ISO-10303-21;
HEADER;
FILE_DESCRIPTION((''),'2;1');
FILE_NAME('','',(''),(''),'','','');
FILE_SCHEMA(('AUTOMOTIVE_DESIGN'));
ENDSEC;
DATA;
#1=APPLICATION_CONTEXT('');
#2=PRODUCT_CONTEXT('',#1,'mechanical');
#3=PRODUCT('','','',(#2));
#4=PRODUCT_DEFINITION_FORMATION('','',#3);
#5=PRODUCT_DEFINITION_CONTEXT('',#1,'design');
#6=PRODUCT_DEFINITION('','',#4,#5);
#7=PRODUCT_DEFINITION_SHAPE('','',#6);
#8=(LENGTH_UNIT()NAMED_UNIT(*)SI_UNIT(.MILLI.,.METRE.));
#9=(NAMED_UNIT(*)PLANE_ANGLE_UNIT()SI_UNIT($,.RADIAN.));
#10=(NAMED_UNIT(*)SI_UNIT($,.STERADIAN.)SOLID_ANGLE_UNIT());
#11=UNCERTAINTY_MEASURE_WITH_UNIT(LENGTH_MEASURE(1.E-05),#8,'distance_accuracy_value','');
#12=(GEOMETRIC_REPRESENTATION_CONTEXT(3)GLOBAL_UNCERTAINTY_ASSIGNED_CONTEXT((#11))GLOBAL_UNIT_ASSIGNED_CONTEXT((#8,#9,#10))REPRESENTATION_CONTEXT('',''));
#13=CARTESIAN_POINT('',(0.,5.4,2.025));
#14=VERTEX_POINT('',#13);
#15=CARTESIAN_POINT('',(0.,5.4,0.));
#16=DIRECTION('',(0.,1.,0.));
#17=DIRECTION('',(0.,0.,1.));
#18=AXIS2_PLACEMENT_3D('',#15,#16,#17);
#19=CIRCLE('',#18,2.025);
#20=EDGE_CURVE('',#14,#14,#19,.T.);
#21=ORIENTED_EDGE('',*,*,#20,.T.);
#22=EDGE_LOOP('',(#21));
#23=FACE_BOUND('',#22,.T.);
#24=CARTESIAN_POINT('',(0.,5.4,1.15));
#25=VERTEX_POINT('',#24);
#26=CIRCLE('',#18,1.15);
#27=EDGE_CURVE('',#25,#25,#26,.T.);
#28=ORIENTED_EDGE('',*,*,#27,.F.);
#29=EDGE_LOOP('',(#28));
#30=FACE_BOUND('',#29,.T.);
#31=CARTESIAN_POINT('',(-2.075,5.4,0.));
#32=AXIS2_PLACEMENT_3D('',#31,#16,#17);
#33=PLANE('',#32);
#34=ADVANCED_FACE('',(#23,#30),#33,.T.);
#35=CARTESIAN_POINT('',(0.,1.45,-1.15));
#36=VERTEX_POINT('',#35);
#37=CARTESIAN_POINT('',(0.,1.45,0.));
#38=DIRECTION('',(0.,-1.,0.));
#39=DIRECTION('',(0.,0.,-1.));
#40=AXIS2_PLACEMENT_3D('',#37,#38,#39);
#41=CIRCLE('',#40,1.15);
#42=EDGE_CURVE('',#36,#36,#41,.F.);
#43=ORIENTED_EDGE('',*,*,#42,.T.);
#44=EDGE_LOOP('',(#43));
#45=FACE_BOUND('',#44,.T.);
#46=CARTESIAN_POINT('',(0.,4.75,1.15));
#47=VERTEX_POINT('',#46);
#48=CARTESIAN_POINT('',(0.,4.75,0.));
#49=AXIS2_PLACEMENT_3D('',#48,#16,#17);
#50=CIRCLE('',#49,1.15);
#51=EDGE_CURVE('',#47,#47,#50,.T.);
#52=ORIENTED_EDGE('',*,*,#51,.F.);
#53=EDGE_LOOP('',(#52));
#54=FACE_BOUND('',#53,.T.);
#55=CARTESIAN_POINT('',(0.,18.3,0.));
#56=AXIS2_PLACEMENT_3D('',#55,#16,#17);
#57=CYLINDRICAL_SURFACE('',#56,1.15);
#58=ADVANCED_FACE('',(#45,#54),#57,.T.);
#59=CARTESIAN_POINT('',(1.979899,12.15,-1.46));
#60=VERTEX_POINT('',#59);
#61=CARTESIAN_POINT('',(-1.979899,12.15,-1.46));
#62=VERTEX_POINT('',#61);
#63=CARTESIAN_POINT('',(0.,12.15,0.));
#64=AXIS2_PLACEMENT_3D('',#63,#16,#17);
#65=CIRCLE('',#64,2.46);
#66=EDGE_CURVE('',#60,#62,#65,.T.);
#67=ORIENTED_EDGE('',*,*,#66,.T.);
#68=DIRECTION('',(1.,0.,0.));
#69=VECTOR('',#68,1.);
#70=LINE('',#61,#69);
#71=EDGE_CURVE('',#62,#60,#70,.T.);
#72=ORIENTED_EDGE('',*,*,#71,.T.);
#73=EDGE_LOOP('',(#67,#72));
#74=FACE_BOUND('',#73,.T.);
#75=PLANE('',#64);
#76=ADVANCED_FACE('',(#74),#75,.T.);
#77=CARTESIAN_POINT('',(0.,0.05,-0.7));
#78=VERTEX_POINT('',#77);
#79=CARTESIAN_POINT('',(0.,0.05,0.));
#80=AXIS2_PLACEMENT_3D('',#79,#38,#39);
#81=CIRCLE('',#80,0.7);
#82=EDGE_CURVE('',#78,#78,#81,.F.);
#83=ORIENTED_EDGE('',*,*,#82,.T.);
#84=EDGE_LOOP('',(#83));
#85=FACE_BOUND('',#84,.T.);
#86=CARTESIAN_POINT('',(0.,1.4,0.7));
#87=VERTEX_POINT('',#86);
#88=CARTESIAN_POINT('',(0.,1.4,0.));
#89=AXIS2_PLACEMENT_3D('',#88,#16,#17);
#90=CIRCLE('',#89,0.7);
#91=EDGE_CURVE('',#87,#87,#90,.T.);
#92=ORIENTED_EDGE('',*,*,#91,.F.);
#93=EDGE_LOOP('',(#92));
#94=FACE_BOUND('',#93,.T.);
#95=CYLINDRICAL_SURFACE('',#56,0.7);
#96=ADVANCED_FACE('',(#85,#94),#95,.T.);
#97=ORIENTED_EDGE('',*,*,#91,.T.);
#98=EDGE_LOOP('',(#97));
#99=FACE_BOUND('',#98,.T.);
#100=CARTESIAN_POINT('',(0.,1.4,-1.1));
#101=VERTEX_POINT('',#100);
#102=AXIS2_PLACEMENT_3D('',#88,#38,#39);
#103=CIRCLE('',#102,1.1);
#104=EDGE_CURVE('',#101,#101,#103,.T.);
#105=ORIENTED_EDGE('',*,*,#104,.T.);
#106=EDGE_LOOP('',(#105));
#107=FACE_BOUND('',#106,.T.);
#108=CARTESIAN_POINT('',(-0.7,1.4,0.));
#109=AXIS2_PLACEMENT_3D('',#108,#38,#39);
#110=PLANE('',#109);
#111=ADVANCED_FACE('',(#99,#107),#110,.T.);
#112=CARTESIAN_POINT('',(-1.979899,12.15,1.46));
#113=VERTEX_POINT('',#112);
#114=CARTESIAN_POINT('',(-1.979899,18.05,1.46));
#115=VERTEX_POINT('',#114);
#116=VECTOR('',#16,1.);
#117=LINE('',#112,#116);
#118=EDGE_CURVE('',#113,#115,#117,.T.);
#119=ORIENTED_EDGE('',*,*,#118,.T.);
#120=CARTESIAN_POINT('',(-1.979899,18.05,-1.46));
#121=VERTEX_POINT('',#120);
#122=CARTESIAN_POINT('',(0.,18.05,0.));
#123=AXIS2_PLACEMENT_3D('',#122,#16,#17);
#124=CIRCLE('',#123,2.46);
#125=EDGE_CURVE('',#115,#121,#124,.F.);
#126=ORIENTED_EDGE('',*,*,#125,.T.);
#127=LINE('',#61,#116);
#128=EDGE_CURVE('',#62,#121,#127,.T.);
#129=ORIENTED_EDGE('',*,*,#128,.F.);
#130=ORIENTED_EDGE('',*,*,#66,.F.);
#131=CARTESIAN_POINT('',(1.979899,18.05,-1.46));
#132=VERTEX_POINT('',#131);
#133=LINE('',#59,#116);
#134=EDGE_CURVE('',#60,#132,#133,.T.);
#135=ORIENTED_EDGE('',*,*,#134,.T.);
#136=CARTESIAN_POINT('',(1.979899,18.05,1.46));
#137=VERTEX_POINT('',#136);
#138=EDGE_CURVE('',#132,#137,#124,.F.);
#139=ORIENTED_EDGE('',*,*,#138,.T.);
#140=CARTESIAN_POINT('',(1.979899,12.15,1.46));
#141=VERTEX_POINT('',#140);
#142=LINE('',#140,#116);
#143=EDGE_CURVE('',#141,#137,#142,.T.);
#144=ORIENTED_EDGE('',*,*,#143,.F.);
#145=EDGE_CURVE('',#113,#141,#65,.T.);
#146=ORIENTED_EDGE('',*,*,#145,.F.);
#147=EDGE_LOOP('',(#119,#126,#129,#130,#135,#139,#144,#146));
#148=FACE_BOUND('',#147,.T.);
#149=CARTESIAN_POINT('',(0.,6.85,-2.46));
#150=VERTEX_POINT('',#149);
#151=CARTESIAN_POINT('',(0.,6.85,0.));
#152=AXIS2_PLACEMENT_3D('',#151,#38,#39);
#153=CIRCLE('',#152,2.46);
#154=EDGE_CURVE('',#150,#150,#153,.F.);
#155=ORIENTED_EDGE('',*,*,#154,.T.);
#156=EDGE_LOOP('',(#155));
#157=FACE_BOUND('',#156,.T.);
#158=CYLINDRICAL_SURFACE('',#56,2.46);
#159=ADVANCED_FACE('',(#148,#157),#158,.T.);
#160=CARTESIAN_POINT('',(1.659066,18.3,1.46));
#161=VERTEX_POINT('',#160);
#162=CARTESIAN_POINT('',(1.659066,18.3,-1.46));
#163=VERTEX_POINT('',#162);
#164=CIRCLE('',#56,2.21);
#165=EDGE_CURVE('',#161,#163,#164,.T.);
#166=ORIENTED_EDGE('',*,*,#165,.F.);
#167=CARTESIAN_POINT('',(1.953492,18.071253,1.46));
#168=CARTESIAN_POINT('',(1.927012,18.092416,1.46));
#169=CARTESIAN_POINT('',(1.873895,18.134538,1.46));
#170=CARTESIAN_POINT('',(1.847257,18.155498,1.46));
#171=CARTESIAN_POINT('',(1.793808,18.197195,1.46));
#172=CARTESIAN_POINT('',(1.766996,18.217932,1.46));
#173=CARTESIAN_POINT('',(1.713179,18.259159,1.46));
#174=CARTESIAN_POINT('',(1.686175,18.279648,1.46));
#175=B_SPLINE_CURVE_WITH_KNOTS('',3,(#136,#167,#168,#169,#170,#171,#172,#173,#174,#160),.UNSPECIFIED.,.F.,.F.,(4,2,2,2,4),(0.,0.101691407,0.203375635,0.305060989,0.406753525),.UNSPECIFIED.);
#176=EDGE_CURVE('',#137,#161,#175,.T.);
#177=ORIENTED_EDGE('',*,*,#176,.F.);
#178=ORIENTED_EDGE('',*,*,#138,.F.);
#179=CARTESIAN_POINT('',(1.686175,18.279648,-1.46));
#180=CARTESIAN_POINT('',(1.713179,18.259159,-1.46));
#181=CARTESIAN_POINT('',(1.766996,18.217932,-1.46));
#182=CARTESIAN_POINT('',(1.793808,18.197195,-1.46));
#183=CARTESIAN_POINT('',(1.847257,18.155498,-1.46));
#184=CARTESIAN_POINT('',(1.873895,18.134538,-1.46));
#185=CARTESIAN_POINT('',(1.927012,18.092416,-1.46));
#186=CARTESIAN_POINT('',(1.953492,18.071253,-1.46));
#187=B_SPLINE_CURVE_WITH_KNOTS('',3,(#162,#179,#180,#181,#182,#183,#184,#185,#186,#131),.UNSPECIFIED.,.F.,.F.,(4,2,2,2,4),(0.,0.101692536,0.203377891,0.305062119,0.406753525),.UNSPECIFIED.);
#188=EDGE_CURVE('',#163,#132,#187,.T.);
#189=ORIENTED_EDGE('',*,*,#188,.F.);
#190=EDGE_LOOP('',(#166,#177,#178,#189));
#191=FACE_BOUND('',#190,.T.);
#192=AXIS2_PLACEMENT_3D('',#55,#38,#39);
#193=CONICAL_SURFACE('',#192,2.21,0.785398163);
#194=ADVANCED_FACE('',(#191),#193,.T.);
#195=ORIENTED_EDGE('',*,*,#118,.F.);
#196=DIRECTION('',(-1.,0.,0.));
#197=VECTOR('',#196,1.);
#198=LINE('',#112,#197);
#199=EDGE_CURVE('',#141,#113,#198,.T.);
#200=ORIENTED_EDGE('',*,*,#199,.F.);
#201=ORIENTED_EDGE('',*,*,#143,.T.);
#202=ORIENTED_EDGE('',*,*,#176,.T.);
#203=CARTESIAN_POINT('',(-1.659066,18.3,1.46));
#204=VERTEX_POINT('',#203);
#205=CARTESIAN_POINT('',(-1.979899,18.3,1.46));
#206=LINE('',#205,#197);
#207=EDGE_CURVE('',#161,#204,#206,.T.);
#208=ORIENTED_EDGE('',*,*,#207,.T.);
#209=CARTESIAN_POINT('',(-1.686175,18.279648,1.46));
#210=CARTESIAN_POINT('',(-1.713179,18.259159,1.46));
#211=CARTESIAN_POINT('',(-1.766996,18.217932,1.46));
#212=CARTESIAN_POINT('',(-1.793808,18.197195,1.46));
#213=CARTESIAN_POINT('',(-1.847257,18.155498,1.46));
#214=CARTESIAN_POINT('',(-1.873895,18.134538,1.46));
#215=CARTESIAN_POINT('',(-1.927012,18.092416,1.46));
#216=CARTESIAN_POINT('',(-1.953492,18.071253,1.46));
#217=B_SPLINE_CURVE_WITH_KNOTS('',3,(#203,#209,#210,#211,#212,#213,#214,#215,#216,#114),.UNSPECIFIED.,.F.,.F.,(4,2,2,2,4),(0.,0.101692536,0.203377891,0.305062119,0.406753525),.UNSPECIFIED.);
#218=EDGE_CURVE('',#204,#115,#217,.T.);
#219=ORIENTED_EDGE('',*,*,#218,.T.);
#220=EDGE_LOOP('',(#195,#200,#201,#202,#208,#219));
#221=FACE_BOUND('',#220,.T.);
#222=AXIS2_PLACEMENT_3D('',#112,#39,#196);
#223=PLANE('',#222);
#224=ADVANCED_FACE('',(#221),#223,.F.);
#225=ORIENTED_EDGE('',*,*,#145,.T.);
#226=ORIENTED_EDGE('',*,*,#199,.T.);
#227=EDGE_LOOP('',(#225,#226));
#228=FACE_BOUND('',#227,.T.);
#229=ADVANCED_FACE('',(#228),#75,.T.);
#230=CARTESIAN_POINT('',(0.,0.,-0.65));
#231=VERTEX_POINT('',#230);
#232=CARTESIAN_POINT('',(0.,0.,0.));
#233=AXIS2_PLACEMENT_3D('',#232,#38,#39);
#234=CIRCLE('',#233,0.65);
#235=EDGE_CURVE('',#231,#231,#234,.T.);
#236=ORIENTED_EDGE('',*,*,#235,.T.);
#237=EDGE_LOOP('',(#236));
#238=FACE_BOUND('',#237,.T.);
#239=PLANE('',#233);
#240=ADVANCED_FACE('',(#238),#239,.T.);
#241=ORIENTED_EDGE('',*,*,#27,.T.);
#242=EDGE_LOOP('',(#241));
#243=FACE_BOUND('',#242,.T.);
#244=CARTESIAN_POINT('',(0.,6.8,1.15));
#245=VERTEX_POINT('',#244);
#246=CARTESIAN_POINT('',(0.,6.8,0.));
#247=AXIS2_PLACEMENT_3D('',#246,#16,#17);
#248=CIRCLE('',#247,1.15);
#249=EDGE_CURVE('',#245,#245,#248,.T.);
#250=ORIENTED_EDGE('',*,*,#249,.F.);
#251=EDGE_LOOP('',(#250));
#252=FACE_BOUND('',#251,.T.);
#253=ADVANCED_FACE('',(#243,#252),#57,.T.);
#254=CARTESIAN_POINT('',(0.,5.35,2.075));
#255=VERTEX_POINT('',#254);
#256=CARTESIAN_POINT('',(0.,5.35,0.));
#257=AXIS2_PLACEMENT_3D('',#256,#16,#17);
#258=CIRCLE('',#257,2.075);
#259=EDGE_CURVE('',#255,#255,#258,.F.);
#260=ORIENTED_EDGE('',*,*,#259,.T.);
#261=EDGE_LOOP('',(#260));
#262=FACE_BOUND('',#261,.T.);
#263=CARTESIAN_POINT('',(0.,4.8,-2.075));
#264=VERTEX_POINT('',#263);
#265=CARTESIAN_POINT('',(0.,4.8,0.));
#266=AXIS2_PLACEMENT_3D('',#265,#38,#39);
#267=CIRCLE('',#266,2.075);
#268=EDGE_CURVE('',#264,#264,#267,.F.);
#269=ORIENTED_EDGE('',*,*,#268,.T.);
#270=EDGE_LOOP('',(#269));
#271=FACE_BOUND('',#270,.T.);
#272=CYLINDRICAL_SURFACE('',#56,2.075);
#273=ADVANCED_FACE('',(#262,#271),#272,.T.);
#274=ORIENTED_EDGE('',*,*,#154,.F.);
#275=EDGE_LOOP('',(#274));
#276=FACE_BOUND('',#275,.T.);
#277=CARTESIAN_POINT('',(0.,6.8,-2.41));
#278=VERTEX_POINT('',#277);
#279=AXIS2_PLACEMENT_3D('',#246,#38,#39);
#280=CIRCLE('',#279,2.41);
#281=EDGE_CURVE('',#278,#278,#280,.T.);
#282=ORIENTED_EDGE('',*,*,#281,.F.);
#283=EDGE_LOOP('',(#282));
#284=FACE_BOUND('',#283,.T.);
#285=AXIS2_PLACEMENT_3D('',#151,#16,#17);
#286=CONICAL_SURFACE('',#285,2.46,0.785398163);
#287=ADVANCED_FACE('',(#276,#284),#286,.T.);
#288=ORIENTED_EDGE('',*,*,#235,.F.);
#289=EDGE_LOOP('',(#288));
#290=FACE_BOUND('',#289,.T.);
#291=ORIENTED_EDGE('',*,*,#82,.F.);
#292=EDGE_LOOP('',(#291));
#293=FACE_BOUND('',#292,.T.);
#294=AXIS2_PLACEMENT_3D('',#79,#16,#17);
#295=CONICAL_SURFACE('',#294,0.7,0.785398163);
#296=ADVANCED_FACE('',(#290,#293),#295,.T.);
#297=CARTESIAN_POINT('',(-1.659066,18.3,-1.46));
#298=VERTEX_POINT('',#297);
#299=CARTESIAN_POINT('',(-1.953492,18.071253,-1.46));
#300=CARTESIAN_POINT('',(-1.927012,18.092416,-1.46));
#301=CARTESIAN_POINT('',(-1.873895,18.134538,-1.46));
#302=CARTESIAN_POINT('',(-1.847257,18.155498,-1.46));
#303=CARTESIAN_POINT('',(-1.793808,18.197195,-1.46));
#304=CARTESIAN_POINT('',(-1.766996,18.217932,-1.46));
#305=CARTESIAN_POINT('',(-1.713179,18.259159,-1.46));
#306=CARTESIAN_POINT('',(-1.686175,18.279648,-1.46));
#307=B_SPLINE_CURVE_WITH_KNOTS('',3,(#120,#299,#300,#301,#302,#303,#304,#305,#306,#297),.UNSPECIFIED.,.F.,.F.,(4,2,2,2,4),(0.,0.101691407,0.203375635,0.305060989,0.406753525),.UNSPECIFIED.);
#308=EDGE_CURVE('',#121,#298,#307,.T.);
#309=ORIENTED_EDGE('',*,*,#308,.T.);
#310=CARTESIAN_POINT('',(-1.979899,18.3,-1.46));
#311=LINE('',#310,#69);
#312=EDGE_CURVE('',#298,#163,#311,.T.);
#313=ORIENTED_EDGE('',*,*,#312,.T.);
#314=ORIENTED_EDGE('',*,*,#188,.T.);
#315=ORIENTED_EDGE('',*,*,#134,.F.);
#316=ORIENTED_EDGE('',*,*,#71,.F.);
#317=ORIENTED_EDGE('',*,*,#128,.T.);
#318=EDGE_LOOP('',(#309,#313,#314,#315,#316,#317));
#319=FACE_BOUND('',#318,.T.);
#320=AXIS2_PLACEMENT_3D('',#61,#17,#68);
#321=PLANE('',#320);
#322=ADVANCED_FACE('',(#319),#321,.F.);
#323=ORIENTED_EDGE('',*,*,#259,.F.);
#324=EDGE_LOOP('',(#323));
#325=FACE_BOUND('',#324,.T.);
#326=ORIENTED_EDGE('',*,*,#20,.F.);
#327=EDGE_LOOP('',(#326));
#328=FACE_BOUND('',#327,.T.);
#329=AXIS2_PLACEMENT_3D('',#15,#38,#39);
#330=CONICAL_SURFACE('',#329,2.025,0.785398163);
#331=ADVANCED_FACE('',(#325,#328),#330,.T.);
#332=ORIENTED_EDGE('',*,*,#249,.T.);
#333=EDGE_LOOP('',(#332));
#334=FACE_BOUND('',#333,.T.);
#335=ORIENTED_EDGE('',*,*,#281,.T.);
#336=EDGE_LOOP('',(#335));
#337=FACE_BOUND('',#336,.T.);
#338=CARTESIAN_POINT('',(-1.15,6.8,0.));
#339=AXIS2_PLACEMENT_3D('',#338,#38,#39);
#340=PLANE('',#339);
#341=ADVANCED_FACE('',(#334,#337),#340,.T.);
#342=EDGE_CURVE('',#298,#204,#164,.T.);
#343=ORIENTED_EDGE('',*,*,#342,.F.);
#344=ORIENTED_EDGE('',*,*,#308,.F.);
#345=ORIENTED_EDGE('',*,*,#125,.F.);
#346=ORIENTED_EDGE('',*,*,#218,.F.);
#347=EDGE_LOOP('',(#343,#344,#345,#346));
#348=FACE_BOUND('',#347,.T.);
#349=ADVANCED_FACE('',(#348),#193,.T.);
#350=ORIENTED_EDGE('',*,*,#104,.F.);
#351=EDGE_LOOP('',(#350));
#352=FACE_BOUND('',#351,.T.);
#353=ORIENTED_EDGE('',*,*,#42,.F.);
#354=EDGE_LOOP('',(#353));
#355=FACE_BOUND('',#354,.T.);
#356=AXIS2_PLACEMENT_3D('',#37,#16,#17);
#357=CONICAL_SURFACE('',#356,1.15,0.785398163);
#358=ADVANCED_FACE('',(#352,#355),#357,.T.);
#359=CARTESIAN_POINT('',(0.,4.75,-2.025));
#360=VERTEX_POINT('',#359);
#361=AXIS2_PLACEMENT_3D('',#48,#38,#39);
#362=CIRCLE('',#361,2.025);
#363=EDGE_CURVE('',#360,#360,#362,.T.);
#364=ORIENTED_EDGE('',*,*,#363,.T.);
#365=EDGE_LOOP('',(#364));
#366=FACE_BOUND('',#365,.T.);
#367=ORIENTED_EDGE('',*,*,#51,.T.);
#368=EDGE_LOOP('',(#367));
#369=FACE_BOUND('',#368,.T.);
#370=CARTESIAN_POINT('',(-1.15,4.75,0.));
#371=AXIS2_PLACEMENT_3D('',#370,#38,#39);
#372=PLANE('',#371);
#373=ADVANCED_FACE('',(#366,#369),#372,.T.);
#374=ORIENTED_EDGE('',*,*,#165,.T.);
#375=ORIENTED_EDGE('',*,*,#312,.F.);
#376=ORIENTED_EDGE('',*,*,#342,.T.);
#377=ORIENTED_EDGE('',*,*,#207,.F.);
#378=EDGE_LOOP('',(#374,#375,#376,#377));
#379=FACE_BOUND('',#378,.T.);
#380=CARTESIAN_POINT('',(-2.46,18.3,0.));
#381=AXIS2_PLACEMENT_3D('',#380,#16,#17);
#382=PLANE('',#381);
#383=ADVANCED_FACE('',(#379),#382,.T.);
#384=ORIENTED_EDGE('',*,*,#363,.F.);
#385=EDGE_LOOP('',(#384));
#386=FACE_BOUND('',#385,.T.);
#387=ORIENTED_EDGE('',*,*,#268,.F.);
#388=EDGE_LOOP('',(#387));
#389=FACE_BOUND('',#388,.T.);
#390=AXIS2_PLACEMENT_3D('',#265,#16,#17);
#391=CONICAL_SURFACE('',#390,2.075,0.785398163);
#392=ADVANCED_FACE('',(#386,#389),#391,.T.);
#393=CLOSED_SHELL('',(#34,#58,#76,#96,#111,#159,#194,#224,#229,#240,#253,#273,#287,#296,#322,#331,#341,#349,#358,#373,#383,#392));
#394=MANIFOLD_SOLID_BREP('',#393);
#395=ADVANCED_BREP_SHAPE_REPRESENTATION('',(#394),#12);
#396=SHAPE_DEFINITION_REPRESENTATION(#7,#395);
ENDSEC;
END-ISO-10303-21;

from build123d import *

# Parameters (mm, degrees)
CUT_EXTRUDE_1_DEPTH = 6.15
CHAMFER_1_SIZE      = 0.25
CHAMFER_2_SIZE      = 0.05


with BuildPart() as part:
    # Эскиз1 → Повернуть1 (revolve)
    with BuildSketch(Plane.XY):
        Polygon((0, 18.3), (0, 0), (-0.7, 0), (-0.7, 1.4), (-1.15, 1.4), (-1.15, 4.75), (-2.075, 4.75), (-2.075, 5.4), (-1.15, 5.4), (-1.15, 6.8), (-2.46, 6.8), (-2.46, 18.3), align=None)
    revolve(axis=Axis((0, 18.3, 0), (0, -1, 0)))

    # Эскиз2 → Вырез-Вытянуть1 (cut)
    with BuildSketch(Plane(origin=(0, 18.3, 0), x_dir=(1, 0, 0), z_dir=(0, 1, 0))):
        with BuildLine():
            Line((-1.979898987, 1.46), (1.979898987, 1.46))
            ThreePointArc((1.979898987, 1.46), (0, 2.46), (-1.979898987, 1.46))
        make_face()
        with BuildLine():
            Line((-1.979898987, -1.46), (1.979898987, -1.46))
            ThreePointArc((1.979898987, -1.46), (0, -2.46), (-1.979898987, -1.46))
        make_face()
    extrude(amount=-CUT_EXTRUDE_1_DEPTH, mode=Mode.SUBTRACT)

    # Фаска1
    chamfer_1_edges = [part.edges().sort_by_distance(p)[0] for p in [
        (-2.336894468, 18.3, -0.768455754),
        (2.46, 18.3, 0),
    ]]
    chamfer(chamfer_1_edges, length=CHAMFER_1_SIZE)

    # Фаска2
    chamfer_2_edges = [part.edges().sort_by_distance(p)[0] for p in [
        (2.075, 5.4, 0),
        (2.075, 4.75, 0),
        (1.15, 1.4, 0),
        (0.7, 0, 0),
        (2.46, 6.8, 0),
    ]]
    chamfer(chamfer_2_edges, length=CHAMFER_2_SIZE)


solid = part.part
